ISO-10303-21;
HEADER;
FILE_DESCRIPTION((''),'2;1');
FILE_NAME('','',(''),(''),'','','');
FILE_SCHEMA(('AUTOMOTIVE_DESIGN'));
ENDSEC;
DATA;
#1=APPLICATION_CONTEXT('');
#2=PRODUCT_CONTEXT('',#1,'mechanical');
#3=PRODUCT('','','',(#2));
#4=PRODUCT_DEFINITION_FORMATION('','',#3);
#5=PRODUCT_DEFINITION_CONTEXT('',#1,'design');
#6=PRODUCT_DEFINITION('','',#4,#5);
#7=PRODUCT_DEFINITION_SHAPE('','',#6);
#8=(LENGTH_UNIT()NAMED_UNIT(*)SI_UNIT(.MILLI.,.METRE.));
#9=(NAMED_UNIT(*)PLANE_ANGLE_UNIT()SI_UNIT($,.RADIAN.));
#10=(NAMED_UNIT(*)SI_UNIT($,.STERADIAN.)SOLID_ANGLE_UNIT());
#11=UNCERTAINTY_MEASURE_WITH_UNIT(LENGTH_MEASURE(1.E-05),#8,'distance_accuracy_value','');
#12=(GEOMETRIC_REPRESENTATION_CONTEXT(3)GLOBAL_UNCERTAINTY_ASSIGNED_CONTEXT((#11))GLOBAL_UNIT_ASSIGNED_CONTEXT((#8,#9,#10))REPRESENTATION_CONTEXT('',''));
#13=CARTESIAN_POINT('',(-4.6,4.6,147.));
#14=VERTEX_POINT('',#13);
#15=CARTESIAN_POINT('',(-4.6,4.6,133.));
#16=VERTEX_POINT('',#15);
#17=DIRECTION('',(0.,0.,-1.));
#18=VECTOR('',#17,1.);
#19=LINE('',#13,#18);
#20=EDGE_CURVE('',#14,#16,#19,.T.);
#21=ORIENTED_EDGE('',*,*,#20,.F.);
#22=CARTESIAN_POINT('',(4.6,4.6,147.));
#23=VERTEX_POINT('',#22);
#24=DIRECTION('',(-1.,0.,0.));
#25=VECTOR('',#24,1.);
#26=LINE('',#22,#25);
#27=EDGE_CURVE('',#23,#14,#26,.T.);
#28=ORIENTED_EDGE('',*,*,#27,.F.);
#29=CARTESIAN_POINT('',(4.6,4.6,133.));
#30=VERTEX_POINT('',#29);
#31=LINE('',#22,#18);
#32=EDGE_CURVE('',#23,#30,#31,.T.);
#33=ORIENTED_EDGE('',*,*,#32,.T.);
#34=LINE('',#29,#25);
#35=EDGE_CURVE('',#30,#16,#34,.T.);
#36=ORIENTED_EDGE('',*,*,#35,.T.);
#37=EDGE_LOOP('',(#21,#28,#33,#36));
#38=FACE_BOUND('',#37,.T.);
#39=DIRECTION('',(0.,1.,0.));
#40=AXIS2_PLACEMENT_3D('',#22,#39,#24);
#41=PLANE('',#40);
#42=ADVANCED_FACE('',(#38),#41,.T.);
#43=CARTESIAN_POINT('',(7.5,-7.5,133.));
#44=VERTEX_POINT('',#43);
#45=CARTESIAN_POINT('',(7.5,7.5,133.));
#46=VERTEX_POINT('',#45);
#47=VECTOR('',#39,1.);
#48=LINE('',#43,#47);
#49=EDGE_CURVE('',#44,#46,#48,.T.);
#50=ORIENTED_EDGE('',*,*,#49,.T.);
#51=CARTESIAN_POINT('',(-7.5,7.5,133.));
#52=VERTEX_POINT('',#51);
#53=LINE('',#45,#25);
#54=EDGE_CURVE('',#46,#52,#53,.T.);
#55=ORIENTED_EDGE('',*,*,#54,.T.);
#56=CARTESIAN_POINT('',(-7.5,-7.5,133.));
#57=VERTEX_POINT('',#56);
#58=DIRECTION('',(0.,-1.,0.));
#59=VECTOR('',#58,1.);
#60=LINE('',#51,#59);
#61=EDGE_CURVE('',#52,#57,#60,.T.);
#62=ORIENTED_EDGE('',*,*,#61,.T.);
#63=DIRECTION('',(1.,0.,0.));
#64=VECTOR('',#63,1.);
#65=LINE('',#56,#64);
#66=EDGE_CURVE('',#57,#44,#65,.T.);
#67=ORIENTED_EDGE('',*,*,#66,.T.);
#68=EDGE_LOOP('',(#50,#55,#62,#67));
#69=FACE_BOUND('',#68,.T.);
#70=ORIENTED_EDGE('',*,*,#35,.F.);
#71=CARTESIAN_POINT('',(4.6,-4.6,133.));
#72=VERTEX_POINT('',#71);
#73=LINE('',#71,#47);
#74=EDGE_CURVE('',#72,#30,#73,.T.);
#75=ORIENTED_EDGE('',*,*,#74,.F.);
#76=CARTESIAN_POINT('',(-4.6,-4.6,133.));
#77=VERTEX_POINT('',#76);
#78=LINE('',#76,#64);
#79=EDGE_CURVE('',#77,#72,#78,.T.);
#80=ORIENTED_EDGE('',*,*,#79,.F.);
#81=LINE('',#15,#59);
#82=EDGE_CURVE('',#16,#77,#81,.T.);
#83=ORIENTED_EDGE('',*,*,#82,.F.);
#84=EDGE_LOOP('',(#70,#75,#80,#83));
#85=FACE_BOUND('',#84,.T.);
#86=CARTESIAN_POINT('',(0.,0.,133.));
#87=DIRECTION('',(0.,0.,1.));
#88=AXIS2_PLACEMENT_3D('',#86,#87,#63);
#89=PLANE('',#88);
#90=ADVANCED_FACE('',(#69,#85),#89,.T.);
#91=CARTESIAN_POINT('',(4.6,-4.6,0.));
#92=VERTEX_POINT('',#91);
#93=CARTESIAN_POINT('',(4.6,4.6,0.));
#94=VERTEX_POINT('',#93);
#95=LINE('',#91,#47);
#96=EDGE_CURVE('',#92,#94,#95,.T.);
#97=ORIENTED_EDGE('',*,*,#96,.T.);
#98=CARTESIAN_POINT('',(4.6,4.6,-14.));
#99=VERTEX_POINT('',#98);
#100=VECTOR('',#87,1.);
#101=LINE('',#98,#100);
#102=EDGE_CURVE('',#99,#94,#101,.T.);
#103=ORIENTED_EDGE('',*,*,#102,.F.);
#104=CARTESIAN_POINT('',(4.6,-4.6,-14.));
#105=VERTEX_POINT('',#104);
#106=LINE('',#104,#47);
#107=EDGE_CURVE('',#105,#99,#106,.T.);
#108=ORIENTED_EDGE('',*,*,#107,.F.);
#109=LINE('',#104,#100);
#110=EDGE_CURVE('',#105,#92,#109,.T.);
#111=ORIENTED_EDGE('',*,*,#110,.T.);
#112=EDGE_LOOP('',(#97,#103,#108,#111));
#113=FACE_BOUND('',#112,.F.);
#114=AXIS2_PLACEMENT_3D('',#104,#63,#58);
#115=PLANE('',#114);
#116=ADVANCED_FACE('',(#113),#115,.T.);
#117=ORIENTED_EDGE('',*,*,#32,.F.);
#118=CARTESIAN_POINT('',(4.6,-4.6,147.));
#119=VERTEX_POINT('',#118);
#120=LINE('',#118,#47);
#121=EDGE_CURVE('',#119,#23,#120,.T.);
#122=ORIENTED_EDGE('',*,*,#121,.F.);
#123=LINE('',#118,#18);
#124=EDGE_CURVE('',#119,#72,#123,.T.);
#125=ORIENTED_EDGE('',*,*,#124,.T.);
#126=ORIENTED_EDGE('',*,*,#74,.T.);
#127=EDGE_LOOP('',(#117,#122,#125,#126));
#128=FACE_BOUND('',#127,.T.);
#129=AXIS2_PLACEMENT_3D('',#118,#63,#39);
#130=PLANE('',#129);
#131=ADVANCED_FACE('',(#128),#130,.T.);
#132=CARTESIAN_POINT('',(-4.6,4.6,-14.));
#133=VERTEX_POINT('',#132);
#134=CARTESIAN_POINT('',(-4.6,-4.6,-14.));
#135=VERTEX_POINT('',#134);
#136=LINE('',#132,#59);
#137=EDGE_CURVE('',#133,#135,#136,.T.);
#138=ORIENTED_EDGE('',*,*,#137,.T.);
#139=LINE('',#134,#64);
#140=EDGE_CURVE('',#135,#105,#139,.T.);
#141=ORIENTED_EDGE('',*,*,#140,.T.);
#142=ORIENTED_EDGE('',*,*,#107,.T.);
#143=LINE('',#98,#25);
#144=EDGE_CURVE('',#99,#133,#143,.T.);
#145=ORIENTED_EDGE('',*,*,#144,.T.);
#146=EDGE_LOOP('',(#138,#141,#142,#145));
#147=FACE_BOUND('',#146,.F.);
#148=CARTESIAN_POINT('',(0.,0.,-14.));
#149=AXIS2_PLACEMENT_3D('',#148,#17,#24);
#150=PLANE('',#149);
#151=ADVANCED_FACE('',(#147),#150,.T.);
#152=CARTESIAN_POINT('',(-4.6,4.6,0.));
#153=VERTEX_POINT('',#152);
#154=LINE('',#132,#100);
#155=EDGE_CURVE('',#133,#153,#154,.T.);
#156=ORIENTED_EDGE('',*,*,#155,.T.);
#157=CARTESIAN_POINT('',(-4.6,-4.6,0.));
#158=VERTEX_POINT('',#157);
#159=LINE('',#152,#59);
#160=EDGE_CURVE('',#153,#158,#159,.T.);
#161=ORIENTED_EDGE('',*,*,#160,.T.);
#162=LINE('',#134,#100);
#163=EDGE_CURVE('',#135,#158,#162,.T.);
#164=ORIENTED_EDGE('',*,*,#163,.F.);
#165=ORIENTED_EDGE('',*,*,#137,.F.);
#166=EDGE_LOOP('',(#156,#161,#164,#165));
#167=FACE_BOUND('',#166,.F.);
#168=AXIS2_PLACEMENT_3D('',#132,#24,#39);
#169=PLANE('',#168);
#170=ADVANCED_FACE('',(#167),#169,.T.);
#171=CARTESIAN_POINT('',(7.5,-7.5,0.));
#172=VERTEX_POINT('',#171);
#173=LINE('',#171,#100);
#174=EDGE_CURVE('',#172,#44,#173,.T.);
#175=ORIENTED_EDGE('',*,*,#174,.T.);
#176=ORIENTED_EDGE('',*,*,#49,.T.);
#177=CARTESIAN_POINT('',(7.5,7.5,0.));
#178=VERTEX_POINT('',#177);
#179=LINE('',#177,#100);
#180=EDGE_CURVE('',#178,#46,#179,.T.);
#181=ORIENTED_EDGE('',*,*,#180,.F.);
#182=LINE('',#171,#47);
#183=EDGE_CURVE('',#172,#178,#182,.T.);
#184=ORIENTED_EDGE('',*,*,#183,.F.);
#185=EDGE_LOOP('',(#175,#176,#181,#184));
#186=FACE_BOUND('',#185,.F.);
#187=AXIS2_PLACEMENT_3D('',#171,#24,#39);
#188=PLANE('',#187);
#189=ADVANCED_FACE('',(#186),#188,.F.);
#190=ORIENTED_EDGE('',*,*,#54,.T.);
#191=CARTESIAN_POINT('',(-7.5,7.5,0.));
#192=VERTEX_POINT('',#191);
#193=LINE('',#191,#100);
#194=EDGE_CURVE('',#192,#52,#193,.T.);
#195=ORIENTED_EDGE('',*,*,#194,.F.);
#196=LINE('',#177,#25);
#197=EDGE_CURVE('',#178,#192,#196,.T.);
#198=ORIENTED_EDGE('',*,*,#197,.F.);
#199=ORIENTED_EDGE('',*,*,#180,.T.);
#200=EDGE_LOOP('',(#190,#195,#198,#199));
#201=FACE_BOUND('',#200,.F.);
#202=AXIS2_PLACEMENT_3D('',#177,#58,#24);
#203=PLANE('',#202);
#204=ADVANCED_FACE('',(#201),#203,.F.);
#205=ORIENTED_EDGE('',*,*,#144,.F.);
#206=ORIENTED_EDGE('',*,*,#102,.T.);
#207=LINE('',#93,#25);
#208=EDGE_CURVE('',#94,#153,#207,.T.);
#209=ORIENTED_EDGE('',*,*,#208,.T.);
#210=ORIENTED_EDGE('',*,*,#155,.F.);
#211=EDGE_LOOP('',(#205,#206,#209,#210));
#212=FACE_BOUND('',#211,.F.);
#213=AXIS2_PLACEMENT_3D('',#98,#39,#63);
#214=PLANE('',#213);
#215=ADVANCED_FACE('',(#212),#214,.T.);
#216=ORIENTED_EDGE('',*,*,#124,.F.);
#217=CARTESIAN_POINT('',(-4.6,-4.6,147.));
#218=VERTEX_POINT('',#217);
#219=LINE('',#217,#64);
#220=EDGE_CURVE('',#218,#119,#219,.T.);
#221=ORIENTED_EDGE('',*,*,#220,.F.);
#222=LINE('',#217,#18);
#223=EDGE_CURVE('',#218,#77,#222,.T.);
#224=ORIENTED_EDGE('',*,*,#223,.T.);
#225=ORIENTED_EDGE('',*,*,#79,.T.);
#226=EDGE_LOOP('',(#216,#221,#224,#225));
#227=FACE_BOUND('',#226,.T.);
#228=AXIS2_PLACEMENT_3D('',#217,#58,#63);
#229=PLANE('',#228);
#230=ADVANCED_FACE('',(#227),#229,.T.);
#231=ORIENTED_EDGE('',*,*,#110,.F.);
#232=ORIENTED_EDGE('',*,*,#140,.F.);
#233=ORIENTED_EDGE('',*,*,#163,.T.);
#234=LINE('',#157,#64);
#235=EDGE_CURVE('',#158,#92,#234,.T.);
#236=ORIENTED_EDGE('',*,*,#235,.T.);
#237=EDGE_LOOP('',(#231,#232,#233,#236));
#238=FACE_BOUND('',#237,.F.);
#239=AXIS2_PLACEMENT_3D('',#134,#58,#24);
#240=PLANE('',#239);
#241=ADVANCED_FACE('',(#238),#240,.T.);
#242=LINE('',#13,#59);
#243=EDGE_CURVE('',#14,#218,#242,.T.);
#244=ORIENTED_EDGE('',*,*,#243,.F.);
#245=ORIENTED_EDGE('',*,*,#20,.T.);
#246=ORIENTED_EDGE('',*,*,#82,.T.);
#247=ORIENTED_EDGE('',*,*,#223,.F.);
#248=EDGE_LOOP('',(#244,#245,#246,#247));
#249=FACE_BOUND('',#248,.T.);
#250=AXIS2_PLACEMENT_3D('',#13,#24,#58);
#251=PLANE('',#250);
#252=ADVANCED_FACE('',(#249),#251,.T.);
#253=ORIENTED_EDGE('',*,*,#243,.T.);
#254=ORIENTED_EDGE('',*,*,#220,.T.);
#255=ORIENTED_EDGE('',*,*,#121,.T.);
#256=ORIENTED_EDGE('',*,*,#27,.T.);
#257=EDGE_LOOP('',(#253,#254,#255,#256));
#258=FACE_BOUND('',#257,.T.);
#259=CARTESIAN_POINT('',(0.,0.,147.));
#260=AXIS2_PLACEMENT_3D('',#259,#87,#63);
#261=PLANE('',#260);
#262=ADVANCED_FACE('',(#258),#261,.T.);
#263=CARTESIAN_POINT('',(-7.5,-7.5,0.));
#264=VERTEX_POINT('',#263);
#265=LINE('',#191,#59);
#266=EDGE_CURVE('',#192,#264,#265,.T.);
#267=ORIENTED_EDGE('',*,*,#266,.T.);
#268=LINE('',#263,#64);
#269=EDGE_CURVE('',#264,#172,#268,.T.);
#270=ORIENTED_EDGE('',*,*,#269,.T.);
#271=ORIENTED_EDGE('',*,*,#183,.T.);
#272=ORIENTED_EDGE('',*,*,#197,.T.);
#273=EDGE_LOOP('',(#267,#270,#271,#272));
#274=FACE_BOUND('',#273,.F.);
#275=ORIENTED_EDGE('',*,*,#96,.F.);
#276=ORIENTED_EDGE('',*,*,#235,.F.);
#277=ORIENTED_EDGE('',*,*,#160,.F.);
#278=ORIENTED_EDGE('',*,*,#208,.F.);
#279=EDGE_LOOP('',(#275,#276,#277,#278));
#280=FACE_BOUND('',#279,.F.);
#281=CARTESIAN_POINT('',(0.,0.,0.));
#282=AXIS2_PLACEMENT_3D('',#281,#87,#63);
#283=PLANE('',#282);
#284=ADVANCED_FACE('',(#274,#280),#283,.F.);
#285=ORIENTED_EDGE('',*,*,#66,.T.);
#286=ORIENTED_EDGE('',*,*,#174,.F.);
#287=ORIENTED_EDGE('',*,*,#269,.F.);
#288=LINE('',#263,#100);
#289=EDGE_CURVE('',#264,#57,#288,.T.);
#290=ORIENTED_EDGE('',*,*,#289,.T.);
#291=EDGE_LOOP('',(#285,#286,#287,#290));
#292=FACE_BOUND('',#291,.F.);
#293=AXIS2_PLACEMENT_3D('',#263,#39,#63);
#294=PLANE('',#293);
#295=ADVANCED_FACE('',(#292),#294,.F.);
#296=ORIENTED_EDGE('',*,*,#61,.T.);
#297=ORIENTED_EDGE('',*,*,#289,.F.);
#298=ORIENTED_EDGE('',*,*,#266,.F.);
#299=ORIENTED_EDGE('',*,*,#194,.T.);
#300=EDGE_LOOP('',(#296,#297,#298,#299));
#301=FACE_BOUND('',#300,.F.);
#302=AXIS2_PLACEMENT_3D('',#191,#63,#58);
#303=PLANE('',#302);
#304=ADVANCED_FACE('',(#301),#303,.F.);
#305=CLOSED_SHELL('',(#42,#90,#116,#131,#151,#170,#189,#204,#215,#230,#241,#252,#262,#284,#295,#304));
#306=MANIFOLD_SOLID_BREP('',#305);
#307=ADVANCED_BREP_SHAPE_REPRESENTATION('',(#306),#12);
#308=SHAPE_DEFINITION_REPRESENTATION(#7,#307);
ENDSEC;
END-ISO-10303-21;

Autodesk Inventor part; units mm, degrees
ref_plane "YZ Plane" through (0, 0, 0) normal (1, 0, 0) x (0, 1, 0)
ref_plane "XZ Plane" through (0, 0, 0) normal (0, 1, 0) x (-1, 0, 0)
ref_plane "XY Plane" through (0, 0, 0) normal (0, 0, 1) x (1, 0, 0)
sketch "Sketch1" plane through (0, 0, 0) normal (0, 0, 1) x (1, 0, 0)
  line L0 (-7.5, -7.5) -> (7.5, -7.5)
  line L1 (7.5, -7.5) -> (7.5, 7.5)
  line L2 (7.5, 7.5) -> (-7.5, 7.5)
  line L3 (-7.5, 7.5) -> (-7.5, -7.5)
  line L4 (-7.5, -7.5) -> (7.5, 7.5) construction
  line L5 (7.5, -7.5) -> (-7.5, 7.5) construction
  point P0 (0, 0)
  dimension "d0" = 15
  dimension "d1" = 15
extrude "Extrusion1" add sketch "Sketch1" along normal blind 133
ref_plane "Work Plane1" through (0, 0, 66.5) normal (0, 0, 1) x (1, 0, 0)
sketch "Sketch2" plane through (0, 0, 133) normal (0, 0, 1) x (1, 0, 0)
  line L0 (-5, -5) -> (5, -5)
  line L1 (5, -5) -> (5, 5)
  line L2 (5, 5) -> (-5, 5)
  line L3 (-5, 5) -> (-5, -5)
  line L4 (-5, -5) -> (5, 5) construction
  line L5 (5, -5) -> (-5, 5) construction
  point P0 (0, 0)
  dimension "d4" = 10
  dimension "d5" = 10
extrude "Extrusion2" add sketch "Sketch2" along normal blind 14
mirror "Mirror1" about plane through (0, 0, 66.5) normal (0, 0, 1) of "Extrusion2"
sketch "Sketch3" plane through (0, 0, 147) normal (0, 0, 1) x (1, 0, 0)
  line L0 (-5, -5) -> (5, -5) projected
  line L1 (5, -5) -> (5, 5) projected
  line L2 (5, 5) -> (-5, 5) projected
  line L3 (-5, 5) -> (-5, -5) projected
  line L4 (-4.6, -4.6) -> (4.6, -4.6)
  line L5 (4.6, -4.6) -> (4.6, 4.6)
  line L6 (4.6, 4.6) -> (-4.6, 4.6)
  line L7 (-4.6, 4.6) -> (-4.6, -4.6)
  point P0 (0, 0)
  dimension "d8" = 0.4
extrude "Extrusion3" cut sketch "Sketch3" against normal up to surface (14 mm away)
mirror "Mirror2" about plane through (0, 0, 66.5) normal (0, 0, 1) of "Extrusion2"
mirror "Mirror3" about plane through (0, 0, 66.5) normal (0, 0, 1) of "Extrusion3"
properties part number "Upper Beam Support"
